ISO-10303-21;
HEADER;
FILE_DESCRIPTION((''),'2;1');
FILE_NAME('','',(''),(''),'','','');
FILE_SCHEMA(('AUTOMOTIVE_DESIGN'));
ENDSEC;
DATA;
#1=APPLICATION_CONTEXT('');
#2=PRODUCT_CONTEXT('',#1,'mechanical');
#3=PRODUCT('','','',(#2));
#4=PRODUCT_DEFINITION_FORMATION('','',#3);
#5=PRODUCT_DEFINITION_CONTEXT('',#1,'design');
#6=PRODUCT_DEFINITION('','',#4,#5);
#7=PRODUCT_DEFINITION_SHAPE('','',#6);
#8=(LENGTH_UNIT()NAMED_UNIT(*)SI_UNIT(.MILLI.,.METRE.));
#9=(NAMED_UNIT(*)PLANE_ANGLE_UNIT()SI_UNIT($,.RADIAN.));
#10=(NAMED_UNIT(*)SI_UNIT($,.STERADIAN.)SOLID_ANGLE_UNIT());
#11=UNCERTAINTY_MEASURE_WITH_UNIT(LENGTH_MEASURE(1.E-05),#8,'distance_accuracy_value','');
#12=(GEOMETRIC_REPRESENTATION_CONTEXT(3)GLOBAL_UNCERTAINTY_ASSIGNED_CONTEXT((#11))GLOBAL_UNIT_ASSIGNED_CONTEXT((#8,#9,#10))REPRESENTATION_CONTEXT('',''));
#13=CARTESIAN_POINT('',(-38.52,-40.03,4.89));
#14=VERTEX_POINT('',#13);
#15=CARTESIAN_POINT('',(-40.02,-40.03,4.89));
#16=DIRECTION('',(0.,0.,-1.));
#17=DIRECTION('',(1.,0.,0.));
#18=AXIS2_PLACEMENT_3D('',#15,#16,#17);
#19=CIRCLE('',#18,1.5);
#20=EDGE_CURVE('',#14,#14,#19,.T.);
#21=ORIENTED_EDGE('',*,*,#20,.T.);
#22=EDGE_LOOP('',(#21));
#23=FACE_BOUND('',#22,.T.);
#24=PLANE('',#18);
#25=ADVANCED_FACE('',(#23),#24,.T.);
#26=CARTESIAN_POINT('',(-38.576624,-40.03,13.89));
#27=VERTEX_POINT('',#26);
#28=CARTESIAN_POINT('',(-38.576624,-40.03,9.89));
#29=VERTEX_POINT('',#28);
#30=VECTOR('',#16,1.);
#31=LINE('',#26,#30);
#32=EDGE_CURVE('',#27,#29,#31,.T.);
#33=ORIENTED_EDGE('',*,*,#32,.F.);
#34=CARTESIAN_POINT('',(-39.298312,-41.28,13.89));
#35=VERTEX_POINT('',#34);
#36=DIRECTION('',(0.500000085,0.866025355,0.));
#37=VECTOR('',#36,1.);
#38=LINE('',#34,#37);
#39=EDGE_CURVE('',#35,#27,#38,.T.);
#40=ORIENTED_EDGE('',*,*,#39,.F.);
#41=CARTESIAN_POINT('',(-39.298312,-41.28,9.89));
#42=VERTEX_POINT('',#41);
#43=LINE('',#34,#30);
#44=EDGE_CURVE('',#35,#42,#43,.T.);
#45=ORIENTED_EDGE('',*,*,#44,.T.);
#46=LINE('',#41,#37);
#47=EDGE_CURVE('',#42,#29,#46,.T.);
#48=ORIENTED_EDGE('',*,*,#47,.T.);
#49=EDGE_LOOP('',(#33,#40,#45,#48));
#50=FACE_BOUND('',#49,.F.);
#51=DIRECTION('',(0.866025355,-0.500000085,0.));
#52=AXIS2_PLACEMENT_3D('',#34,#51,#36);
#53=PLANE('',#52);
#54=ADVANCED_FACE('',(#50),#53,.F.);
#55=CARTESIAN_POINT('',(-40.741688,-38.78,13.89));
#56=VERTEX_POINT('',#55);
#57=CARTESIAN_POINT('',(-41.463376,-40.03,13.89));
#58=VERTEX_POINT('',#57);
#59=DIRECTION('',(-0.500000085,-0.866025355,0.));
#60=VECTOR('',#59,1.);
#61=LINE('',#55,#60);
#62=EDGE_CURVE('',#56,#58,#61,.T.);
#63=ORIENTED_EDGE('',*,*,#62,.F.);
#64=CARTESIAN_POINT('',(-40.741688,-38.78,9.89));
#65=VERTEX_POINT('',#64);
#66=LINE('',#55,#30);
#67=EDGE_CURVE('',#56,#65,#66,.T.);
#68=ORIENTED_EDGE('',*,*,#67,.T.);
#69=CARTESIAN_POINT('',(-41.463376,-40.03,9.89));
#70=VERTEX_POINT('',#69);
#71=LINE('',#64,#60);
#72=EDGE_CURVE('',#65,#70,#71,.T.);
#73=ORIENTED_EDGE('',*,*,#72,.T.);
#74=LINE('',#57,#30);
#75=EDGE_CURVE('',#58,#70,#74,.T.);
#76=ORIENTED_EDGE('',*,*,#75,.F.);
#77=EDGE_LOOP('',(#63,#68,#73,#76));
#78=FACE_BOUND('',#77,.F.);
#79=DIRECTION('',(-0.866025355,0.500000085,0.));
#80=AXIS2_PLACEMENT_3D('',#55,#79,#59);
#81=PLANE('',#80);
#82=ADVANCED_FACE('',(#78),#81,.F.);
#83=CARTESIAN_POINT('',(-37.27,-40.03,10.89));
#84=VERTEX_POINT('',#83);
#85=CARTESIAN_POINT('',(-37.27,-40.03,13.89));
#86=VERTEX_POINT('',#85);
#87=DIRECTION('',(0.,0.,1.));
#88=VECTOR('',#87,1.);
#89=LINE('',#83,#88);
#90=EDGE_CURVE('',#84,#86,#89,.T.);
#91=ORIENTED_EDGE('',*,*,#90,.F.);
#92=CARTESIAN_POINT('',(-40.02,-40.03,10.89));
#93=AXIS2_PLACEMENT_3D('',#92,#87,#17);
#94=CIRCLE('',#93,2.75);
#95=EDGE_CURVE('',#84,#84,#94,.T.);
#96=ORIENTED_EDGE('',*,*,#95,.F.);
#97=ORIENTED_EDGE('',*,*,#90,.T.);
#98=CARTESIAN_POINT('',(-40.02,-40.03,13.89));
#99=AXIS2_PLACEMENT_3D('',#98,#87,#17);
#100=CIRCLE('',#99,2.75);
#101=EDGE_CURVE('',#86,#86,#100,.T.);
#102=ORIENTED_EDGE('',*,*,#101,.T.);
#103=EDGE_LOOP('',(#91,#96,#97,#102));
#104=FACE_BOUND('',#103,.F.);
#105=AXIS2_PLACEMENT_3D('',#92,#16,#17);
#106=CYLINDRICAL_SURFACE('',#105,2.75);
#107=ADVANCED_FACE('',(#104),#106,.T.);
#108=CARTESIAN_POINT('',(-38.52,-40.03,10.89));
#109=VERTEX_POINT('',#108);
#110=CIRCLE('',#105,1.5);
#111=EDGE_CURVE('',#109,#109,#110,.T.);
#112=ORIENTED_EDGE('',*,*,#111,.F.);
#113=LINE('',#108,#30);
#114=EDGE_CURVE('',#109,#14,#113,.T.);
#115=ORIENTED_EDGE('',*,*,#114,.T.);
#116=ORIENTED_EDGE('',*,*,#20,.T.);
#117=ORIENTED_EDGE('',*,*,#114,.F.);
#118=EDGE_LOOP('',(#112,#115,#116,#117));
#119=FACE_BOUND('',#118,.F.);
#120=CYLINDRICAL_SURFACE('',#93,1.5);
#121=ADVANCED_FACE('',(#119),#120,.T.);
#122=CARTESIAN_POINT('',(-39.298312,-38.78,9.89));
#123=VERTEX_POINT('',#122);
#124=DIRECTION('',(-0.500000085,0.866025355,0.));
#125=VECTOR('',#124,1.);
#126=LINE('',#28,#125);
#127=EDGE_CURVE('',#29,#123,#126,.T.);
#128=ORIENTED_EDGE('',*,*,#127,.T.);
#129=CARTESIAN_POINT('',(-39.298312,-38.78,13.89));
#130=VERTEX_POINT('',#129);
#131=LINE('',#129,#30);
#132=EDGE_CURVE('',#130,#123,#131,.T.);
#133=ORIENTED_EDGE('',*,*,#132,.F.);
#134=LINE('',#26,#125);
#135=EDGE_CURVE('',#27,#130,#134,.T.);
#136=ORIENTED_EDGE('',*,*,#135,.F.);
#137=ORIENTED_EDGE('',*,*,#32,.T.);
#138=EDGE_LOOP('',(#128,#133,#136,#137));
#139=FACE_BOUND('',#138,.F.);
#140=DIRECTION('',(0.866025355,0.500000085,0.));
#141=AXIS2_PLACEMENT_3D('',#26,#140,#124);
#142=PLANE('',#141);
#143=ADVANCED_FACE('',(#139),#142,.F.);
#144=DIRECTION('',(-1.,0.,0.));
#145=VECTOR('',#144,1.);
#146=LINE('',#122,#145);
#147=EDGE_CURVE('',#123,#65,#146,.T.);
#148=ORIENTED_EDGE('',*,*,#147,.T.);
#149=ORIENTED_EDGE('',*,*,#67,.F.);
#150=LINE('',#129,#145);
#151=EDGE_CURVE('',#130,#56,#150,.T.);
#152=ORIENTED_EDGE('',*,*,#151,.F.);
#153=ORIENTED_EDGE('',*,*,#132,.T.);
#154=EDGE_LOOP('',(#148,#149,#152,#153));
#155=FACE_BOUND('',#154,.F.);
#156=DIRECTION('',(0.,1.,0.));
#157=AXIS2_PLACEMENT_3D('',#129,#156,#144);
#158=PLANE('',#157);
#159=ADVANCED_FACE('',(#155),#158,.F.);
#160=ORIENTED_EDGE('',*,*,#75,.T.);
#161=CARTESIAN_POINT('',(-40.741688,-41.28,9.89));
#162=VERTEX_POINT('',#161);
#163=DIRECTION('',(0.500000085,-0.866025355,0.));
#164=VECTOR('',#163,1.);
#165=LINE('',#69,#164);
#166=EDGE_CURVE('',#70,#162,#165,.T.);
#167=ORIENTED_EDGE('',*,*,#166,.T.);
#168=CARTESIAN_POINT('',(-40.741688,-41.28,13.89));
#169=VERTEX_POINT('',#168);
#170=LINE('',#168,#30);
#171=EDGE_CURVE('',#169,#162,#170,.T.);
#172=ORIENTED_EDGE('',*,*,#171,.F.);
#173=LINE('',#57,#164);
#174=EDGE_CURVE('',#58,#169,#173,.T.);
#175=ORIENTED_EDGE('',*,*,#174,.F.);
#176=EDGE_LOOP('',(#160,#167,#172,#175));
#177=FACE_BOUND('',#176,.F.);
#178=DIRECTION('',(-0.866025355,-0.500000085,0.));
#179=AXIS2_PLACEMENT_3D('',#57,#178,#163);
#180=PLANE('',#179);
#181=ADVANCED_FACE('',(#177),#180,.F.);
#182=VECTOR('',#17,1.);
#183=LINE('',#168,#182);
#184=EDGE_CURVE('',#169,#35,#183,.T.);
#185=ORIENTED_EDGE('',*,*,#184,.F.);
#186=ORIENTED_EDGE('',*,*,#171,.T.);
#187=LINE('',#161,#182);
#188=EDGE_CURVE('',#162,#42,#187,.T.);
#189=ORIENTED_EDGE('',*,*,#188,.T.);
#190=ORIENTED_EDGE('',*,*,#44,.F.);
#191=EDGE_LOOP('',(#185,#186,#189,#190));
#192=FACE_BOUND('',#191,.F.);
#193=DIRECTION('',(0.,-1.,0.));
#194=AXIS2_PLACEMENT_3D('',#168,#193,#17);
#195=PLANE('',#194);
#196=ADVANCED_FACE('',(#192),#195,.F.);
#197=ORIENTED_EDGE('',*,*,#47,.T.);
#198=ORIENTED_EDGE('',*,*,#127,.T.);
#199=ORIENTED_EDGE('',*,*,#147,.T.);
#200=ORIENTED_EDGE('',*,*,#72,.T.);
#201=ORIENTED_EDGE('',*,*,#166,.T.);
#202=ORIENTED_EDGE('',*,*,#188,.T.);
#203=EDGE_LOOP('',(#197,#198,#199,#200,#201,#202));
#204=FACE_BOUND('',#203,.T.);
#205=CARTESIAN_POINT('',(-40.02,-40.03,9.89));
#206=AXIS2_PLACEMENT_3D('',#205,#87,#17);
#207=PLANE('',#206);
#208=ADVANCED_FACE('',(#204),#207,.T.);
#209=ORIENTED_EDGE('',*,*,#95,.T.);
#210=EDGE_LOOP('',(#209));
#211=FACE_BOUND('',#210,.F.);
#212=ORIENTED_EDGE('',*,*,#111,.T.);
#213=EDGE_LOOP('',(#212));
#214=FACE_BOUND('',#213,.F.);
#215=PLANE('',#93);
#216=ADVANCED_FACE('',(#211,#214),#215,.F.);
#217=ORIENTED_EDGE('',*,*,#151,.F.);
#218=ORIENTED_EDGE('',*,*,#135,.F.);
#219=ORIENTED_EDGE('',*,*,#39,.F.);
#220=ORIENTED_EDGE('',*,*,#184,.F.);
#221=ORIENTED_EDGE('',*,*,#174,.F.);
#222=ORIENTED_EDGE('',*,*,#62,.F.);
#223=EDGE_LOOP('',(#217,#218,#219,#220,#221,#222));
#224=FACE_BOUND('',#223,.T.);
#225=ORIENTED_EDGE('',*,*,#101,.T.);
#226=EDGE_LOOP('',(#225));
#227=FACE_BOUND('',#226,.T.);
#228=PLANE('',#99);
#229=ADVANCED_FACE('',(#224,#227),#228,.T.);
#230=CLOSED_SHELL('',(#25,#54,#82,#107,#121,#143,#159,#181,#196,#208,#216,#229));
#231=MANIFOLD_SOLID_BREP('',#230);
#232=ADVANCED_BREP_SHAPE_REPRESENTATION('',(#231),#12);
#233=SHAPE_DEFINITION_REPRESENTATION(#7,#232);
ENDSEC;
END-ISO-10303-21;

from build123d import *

# Parameters (mm, degrees)
SKETCH041_R     = 2.75
PAD020_DEPTH    = 3
SKETCH042_R     = 1.5
PAD021_DEPTH    = 6
POCKET020_DEPTH = 4


with BuildPart() as part:
    # Sketch041 → Pad020 (new body)
    with BuildSketch(Plane.XY):
        Circle(SKETCH041_R)
    extrude(amount=PAD020_DEPTH)

    # Sketch042 (on Face2 of Pad020) → Pad021 (join)
    with BuildSketch(Plane(origin=(0, 0, 0), x_dir=(1, 0, 0), z_dir=(0, 0, -1))):
        Circle(SKETCH042_R)
    extrude(amount=PAD021_DEPTH)

    # Sketch043 (on DatumPlane) → Pocket020 (cut)
    with BuildSketch(Plane.XY.offset(3)):
        Polygon((0.721688, -1.25), (1.443376, 0), (0.721688, 1.25), (-0.721688, 1.25), (-1.443376, 0), (-0.721688, -1.25), align=None)
    extrude(amount=-POCKET020_DEPTH, mode=Mode.SUBTRACT)


with BuildPart() as part_1:
    # Body011 placement: moved
    add(part.part.moved(Location((-40.02, -40.03, 10.89))))


solid = part_1.part
